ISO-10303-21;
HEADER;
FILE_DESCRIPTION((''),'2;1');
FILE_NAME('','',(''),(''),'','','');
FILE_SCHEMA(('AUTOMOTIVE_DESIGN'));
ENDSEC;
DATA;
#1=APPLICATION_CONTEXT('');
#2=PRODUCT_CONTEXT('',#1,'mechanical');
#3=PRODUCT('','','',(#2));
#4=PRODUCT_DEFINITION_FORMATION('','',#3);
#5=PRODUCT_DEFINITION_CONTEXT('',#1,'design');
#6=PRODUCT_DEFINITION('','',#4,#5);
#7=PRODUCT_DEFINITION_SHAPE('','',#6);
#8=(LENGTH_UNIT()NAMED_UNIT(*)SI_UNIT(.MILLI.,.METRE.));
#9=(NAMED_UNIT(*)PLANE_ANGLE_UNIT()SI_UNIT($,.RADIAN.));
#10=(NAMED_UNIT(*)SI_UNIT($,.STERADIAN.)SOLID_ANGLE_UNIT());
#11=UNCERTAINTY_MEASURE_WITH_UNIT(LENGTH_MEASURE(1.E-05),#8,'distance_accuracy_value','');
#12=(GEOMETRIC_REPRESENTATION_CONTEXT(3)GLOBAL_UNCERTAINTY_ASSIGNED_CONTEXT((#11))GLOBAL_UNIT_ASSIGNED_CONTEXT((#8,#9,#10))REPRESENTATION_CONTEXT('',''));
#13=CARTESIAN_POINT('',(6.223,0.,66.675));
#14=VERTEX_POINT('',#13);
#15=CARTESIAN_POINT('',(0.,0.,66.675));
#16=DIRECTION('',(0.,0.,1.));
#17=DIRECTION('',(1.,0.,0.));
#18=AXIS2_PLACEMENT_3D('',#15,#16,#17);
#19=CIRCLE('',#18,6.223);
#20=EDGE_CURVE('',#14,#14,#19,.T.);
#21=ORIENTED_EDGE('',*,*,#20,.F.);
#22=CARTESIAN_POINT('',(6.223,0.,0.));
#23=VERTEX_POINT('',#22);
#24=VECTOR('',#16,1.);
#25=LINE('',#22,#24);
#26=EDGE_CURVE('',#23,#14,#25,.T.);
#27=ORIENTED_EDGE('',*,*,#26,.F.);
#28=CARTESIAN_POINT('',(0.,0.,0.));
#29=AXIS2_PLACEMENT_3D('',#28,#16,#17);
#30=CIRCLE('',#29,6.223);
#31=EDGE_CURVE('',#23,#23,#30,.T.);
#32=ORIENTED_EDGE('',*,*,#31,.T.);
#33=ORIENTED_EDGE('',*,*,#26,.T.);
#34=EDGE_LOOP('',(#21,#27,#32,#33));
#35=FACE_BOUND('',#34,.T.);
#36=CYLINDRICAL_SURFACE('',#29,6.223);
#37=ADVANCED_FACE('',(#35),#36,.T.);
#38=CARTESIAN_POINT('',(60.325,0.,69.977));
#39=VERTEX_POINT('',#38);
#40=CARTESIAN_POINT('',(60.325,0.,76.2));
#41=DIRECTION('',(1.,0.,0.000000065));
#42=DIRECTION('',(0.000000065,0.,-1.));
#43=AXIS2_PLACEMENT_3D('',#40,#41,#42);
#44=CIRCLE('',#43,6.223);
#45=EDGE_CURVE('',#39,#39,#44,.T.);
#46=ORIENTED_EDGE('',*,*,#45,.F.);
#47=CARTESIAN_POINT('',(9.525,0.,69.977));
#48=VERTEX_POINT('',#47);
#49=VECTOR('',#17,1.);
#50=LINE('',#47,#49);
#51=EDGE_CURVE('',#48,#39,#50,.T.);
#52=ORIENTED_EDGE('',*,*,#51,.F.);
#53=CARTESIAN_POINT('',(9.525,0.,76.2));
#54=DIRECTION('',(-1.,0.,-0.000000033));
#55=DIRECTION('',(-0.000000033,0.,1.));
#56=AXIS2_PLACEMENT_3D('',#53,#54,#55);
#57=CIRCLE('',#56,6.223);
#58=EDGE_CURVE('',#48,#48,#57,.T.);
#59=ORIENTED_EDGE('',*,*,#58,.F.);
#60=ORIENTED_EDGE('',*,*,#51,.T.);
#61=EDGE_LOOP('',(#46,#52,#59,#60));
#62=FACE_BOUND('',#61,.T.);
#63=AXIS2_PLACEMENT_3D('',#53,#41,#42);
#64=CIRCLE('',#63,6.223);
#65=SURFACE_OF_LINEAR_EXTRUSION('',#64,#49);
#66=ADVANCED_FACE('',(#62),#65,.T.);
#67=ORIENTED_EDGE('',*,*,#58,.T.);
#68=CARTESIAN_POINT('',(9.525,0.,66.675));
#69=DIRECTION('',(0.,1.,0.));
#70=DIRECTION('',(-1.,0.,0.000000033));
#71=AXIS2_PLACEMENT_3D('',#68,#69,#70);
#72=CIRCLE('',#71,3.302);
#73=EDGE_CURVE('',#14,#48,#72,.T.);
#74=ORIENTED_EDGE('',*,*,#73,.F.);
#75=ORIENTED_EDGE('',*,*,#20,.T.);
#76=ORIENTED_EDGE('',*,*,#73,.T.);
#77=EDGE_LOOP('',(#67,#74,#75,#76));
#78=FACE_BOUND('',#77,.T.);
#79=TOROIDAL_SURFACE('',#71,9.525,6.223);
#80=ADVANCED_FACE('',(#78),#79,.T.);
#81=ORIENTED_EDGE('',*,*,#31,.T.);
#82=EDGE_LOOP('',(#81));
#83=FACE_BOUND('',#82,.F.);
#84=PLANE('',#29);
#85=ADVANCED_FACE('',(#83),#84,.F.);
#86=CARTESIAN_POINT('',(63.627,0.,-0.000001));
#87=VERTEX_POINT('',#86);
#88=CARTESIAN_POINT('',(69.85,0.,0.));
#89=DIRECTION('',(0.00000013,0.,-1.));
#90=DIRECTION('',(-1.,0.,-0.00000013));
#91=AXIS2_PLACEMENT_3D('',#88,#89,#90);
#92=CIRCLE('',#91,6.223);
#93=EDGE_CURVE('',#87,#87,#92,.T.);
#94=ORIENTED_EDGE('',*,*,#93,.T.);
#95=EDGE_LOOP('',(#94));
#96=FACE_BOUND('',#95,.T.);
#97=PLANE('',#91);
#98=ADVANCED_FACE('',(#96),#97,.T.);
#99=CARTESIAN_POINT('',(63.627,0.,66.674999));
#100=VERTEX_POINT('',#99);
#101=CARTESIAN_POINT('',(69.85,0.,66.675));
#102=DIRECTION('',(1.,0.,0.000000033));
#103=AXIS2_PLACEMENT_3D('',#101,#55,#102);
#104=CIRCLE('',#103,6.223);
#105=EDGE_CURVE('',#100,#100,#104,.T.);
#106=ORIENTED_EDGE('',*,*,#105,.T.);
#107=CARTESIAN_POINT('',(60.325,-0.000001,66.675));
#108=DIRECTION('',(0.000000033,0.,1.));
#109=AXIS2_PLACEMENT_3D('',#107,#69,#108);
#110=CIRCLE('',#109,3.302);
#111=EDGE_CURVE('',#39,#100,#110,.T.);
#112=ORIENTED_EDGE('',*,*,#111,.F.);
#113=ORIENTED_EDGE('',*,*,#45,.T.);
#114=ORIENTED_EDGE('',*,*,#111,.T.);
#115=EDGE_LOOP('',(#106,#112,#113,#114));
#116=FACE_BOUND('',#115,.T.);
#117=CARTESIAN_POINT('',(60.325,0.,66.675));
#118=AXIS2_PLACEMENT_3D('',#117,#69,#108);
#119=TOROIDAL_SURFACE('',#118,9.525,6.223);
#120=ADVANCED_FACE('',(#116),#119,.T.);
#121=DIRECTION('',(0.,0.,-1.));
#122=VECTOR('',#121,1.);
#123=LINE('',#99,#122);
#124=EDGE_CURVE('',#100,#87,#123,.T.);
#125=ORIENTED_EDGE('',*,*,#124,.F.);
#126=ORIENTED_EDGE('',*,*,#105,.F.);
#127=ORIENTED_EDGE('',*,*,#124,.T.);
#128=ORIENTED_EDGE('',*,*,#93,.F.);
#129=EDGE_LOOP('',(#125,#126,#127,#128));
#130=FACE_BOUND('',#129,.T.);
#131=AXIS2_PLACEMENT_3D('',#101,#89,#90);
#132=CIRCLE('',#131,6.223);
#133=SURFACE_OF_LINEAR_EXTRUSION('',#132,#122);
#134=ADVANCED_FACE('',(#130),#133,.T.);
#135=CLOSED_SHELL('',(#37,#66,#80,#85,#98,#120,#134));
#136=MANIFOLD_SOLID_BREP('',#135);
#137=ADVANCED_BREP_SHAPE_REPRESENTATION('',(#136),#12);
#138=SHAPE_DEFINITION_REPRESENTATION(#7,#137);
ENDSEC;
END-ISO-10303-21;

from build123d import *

# Parameters (mm, degrees)
F0_R = 6.223


with BuildPart() as f2:
    # F2: sweep along a path in F1
    with BuildLine(Plane.XZ) as f2_path:
        Line((0, 0), (0, 66.675))
        ThreePointArc((0, 66.675), (2.789808, 73.410192), (9.525, 76.2))
        Line((9.525, 76.2), (60.325, 76.2))
        ThreePointArc((60.325, 76.2), (67.060192, 73.410192), (69.85, 66.675))
        Line((69.85, 66.675), (69.85, 0))
    # F0 (on Top) → F2 (sweep)
    with BuildSketch(Plane.XY):
        Circle(F0_R)
    sweep(path=f2_path.line)


solid = f2.part
